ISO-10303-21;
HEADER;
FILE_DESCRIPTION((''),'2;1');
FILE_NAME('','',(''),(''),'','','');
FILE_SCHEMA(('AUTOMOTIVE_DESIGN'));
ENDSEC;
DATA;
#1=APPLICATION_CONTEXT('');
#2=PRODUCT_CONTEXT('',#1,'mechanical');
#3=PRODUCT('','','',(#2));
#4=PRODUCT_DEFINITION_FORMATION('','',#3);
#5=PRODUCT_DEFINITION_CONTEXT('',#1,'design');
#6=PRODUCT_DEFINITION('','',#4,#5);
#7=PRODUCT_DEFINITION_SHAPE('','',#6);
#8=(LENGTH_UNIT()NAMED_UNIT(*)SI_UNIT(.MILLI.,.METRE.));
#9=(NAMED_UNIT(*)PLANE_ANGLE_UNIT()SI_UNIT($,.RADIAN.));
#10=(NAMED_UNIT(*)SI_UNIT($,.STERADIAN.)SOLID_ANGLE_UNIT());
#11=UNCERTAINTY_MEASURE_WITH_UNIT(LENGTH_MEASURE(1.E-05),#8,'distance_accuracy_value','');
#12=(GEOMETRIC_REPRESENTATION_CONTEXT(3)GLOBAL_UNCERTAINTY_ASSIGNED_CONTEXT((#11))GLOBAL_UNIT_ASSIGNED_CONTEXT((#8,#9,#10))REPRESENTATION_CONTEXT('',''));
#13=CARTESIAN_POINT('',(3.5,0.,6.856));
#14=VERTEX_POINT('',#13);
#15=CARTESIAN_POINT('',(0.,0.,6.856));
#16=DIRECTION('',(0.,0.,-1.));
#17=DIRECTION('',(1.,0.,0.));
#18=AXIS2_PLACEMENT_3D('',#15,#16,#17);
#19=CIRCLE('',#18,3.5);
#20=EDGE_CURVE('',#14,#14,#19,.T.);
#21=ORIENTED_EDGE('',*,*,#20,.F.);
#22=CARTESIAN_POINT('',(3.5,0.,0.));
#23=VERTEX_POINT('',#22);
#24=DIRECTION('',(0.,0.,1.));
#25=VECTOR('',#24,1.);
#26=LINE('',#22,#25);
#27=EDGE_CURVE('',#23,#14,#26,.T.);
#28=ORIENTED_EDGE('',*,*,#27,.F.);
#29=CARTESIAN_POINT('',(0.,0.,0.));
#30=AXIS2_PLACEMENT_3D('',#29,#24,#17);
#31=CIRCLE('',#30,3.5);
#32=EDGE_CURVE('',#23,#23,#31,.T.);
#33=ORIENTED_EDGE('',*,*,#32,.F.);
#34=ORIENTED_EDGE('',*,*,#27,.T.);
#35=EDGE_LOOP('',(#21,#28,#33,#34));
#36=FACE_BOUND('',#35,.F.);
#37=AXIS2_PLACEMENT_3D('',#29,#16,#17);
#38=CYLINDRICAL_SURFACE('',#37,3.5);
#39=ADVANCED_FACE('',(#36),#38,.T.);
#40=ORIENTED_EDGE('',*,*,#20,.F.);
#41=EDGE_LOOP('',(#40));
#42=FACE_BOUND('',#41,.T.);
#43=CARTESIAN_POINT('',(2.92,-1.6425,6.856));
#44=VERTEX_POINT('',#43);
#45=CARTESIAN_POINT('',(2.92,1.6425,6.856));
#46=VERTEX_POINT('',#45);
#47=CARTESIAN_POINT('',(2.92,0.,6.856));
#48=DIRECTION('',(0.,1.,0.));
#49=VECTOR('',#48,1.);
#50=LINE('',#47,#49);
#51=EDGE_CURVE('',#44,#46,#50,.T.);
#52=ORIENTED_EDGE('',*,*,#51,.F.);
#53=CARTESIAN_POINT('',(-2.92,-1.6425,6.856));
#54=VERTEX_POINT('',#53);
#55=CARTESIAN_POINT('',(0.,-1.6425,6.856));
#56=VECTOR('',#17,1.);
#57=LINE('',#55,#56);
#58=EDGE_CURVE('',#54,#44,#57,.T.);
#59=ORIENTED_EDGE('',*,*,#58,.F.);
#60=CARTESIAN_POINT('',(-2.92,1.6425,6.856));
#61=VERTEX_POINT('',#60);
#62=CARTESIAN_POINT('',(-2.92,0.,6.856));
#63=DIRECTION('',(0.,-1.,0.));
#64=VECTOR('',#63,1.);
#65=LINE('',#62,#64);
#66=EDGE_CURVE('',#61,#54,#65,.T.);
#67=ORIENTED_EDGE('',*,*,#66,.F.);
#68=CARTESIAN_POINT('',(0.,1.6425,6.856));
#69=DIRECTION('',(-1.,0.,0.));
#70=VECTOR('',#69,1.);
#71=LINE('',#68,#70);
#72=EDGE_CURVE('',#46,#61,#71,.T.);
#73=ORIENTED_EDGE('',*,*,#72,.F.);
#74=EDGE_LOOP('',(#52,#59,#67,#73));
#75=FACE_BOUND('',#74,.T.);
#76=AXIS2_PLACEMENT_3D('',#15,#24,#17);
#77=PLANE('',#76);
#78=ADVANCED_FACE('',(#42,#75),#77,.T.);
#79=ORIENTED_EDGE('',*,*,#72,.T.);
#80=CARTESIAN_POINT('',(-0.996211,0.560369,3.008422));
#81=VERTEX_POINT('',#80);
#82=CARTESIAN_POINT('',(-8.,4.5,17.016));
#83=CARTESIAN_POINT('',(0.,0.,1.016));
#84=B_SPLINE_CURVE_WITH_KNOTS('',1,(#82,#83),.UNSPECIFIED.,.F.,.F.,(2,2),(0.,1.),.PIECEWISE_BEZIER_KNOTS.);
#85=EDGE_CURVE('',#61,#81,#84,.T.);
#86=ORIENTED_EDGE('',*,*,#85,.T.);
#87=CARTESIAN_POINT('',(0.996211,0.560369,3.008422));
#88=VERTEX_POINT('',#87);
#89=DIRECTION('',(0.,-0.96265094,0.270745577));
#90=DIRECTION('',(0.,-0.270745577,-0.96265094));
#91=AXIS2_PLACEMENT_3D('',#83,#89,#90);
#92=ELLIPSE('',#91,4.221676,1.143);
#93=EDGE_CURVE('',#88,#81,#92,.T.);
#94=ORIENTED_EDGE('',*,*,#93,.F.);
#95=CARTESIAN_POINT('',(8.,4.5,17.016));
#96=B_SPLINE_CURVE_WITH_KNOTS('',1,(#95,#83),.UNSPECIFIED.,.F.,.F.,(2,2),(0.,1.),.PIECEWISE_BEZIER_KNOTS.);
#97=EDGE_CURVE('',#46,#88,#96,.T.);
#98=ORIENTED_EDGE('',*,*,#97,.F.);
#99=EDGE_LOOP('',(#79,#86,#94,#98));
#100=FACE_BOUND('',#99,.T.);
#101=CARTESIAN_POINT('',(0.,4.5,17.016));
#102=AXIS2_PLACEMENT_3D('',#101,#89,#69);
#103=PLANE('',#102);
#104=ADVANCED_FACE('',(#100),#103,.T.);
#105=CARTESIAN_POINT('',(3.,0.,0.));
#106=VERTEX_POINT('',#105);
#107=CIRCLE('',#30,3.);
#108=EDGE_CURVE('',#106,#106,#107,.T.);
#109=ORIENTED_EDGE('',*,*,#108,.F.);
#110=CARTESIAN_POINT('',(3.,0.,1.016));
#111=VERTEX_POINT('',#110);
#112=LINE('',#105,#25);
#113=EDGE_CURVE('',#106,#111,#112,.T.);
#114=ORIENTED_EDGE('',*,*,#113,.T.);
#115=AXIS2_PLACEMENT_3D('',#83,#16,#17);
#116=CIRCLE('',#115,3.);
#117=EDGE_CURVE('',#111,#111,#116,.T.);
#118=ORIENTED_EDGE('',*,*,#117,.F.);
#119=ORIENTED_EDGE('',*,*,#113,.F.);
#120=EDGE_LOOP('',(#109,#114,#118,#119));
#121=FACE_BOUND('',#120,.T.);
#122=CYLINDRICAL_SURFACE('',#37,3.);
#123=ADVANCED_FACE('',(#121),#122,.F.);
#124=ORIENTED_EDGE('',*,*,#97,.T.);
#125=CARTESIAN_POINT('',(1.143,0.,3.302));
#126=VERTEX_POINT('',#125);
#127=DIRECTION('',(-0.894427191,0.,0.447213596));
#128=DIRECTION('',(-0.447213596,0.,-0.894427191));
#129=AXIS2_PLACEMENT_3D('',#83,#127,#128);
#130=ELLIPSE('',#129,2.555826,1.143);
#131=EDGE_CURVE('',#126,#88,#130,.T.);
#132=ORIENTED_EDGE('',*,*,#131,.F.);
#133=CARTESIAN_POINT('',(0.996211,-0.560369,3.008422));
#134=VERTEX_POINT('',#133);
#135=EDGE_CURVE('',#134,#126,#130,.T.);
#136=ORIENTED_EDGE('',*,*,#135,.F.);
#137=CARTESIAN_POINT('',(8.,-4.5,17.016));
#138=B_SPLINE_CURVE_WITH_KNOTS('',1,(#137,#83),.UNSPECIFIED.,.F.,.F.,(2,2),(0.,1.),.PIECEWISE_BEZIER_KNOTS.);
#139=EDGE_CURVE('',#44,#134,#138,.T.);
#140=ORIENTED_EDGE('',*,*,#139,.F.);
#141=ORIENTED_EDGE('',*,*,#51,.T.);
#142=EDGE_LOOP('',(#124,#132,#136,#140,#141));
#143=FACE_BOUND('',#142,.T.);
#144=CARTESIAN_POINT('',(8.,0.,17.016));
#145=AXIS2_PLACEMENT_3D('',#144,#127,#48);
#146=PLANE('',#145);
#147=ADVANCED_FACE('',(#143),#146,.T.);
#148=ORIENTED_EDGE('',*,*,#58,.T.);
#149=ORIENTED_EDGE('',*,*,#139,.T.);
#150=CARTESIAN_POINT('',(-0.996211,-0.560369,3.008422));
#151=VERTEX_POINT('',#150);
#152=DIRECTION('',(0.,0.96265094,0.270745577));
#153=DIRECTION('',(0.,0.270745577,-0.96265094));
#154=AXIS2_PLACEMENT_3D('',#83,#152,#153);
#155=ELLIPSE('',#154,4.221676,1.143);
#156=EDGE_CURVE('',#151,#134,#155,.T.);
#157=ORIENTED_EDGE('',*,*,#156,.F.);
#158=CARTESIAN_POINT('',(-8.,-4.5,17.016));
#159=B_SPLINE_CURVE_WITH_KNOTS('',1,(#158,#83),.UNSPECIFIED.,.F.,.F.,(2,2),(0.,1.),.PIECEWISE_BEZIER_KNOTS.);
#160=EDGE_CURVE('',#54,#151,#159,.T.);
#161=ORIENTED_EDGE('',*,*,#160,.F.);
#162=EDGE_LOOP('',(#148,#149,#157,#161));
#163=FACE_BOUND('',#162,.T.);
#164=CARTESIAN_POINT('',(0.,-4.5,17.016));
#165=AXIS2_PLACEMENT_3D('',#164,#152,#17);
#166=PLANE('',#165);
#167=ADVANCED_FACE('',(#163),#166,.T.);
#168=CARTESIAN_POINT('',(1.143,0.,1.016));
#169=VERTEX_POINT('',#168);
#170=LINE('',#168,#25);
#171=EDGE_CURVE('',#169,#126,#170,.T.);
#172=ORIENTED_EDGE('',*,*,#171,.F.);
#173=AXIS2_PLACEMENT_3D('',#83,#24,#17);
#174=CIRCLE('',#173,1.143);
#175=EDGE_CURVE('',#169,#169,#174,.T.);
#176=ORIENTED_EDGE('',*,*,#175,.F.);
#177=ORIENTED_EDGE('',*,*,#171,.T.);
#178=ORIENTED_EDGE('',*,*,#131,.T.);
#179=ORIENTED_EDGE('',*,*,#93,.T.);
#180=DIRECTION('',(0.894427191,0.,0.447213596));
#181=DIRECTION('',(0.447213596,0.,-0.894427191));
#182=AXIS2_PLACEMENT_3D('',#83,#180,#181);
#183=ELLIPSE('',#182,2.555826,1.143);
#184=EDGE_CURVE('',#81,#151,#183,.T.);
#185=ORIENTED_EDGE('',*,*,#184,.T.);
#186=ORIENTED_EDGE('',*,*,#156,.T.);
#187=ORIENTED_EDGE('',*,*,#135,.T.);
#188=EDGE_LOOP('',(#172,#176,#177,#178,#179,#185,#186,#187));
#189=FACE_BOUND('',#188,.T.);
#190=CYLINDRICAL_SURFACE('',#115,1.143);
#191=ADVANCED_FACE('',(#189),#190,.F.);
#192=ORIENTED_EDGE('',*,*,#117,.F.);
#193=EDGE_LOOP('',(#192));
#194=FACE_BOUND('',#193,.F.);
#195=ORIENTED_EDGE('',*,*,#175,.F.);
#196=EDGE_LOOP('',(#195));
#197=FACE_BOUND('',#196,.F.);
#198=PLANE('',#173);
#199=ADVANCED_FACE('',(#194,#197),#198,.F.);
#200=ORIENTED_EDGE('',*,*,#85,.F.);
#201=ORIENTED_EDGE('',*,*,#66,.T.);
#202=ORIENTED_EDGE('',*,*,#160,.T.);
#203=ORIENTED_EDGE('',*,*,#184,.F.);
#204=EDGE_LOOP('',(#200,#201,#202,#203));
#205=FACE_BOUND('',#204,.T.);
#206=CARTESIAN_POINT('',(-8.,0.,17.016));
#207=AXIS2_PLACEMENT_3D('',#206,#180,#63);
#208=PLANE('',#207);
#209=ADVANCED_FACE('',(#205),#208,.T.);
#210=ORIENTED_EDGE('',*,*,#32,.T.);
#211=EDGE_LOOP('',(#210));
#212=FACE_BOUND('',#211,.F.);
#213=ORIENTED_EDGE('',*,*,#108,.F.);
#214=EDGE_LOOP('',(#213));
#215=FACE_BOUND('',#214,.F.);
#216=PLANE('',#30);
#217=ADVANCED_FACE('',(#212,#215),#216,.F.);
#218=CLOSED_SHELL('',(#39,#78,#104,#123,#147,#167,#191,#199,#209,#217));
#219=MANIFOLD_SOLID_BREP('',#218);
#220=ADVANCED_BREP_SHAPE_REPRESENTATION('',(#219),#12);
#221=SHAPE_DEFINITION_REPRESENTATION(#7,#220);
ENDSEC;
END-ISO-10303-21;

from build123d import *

# Parameters (mm, degrees)
F0_R     = 3.5
F0_R_2   = 3
F1_DEPTH = 17.016
F3_R     = 3.5
F3_R_2   = 1.143
F4_DEPTH = 16
F6_W     = 16
F6_H     = 9
F8_R     = 4.119335
F9_DEPTH = 10.16


with BuildPart() as f1:
    # F0 (on Top) → F1 (new body)
    with BuildSketch(Plane.XY):
        Circle(F0_R)
        Circle(F0_R_2, mode=Mode.SUBTRACT)
    extrude(amount=F1_DEPTH)

    # F3 (on offset) → F4 (join, through all)
    with BuildSketch(Plane.XY.offset(1.016)):
        Circle(F3_R)
        Circle(F3_R_2, mode=Mode.SUBTRACT)
    extrude(amount=F4_DEPTH)

    # F6 (on offset) → F7 section 0
    with BuildSketch(Plane.XY.offset(17.016), mode=Mode.PRIVATE) as f7_s0:
        Rectangle(F6_W, F6_H)
    loft([f7_s0.sketch, Vertex(0, 0, 1.016)], mode=Mode.SUBTRACT)

    # F8 (on offset) → F9 (cut)
    with BuildSketch(Plane.XY.offset(17.016)):
        Circle(F8_R)
    extrude(amount=-F9_DEPTH, mode=Mode.SUBTRACT)


solid = f1.part
